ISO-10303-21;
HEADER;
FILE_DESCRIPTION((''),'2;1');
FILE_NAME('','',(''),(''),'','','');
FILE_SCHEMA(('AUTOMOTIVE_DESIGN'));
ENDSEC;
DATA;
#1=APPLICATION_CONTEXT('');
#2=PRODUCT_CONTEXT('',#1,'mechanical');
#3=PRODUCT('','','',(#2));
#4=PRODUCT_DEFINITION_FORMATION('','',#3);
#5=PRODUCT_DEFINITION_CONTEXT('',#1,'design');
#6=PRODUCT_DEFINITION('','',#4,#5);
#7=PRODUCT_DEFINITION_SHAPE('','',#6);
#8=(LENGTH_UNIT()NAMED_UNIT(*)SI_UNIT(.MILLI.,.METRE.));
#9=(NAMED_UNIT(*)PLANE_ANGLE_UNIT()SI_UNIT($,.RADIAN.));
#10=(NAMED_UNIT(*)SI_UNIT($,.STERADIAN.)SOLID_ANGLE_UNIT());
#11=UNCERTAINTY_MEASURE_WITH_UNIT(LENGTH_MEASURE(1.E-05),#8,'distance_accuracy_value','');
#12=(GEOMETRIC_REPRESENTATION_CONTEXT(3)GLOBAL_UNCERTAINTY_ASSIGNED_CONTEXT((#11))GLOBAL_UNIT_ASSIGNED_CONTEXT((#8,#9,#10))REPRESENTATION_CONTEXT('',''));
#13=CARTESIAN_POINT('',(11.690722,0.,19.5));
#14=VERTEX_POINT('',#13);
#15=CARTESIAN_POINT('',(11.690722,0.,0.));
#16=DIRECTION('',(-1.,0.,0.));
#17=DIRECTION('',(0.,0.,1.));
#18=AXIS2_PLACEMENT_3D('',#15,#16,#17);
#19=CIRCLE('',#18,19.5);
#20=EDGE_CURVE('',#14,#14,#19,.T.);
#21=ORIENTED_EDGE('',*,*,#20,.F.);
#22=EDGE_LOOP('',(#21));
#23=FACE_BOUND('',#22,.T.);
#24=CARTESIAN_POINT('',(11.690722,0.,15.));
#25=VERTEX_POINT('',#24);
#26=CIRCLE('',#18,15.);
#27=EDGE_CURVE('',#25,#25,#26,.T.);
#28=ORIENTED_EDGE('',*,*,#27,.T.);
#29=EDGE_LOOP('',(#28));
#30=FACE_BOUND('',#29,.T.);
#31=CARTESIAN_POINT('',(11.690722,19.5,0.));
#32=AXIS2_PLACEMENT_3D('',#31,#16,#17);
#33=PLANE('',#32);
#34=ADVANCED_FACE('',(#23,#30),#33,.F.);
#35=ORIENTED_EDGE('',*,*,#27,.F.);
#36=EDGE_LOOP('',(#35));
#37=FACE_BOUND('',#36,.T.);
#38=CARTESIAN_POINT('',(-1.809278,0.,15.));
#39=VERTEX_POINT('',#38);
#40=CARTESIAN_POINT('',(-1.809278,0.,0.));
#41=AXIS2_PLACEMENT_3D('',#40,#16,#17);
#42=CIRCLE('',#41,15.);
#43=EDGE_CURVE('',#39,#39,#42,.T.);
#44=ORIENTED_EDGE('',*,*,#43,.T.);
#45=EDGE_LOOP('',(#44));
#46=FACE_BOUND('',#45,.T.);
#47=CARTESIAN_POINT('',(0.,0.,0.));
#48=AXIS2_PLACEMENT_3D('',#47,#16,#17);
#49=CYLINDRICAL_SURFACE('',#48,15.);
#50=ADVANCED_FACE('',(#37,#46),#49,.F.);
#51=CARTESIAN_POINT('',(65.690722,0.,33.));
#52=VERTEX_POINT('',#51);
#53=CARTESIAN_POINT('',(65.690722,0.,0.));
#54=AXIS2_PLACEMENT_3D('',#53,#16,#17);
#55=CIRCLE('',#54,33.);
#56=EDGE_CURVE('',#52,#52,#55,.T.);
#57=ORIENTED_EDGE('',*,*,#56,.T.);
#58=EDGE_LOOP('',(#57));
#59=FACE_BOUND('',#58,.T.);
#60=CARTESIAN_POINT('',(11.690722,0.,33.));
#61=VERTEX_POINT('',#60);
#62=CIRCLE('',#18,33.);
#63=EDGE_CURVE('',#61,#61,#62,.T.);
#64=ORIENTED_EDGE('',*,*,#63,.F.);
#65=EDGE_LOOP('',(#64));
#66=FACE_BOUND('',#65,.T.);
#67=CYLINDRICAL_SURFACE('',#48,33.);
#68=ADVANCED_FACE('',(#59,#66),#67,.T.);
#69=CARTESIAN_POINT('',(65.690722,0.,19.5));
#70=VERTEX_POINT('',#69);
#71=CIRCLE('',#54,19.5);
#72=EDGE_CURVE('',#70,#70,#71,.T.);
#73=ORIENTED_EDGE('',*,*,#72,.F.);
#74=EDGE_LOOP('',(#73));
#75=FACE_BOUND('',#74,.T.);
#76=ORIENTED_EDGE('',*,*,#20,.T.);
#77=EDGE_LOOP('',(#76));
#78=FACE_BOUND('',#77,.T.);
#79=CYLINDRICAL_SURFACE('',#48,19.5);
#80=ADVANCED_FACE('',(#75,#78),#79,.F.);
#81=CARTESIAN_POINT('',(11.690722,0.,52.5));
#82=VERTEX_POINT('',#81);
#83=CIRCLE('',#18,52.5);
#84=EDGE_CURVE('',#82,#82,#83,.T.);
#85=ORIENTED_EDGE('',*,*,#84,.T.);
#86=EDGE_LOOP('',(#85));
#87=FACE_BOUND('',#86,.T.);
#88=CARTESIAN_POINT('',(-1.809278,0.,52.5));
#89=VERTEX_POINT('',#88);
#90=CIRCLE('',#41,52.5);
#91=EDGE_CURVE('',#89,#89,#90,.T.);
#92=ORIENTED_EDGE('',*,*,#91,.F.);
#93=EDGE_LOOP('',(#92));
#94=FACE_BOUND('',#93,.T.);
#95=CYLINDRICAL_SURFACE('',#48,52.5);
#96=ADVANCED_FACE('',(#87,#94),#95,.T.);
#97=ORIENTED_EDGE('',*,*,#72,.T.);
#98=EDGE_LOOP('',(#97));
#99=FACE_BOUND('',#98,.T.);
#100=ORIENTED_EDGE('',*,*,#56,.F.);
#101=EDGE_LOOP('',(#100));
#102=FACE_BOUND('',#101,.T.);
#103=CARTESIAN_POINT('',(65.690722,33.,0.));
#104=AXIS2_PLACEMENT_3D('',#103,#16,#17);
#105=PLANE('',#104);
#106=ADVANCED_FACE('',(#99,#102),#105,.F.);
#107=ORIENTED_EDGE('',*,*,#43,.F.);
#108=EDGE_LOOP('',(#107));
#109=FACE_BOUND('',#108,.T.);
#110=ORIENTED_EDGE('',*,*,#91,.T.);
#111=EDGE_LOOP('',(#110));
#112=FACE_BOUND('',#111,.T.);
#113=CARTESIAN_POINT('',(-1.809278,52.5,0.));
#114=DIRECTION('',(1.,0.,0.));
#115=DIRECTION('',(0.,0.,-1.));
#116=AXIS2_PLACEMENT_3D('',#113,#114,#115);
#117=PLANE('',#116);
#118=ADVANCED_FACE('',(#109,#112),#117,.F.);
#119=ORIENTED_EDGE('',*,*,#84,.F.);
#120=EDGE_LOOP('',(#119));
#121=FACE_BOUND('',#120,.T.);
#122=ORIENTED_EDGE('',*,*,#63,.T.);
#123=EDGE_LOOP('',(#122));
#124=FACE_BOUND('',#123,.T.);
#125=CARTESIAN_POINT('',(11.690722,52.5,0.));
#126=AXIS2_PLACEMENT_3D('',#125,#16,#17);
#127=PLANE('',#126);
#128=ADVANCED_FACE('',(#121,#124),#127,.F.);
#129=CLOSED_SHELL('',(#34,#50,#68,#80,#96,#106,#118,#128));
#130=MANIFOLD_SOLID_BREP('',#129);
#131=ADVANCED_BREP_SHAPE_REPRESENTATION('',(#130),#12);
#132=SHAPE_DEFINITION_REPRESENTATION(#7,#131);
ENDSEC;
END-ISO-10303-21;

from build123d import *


with BuildPart() as part:
    # Sketch1 → Revolve1 (revolve)
    with BuildSketch(Plane.XY):
        Polygon((-1.809278351, 52.5), (-1.809278351, 15), (11.690721649, 15), (11.690721649, 19.5), (65.690721649, 19.5), (65.690721649, 33), (11.690721649, 33), (11.690721649, 52.5), align=None)
    revolve(axis=Axis((0, 0, 0), (1, 0, 0)))


solid = part.part
